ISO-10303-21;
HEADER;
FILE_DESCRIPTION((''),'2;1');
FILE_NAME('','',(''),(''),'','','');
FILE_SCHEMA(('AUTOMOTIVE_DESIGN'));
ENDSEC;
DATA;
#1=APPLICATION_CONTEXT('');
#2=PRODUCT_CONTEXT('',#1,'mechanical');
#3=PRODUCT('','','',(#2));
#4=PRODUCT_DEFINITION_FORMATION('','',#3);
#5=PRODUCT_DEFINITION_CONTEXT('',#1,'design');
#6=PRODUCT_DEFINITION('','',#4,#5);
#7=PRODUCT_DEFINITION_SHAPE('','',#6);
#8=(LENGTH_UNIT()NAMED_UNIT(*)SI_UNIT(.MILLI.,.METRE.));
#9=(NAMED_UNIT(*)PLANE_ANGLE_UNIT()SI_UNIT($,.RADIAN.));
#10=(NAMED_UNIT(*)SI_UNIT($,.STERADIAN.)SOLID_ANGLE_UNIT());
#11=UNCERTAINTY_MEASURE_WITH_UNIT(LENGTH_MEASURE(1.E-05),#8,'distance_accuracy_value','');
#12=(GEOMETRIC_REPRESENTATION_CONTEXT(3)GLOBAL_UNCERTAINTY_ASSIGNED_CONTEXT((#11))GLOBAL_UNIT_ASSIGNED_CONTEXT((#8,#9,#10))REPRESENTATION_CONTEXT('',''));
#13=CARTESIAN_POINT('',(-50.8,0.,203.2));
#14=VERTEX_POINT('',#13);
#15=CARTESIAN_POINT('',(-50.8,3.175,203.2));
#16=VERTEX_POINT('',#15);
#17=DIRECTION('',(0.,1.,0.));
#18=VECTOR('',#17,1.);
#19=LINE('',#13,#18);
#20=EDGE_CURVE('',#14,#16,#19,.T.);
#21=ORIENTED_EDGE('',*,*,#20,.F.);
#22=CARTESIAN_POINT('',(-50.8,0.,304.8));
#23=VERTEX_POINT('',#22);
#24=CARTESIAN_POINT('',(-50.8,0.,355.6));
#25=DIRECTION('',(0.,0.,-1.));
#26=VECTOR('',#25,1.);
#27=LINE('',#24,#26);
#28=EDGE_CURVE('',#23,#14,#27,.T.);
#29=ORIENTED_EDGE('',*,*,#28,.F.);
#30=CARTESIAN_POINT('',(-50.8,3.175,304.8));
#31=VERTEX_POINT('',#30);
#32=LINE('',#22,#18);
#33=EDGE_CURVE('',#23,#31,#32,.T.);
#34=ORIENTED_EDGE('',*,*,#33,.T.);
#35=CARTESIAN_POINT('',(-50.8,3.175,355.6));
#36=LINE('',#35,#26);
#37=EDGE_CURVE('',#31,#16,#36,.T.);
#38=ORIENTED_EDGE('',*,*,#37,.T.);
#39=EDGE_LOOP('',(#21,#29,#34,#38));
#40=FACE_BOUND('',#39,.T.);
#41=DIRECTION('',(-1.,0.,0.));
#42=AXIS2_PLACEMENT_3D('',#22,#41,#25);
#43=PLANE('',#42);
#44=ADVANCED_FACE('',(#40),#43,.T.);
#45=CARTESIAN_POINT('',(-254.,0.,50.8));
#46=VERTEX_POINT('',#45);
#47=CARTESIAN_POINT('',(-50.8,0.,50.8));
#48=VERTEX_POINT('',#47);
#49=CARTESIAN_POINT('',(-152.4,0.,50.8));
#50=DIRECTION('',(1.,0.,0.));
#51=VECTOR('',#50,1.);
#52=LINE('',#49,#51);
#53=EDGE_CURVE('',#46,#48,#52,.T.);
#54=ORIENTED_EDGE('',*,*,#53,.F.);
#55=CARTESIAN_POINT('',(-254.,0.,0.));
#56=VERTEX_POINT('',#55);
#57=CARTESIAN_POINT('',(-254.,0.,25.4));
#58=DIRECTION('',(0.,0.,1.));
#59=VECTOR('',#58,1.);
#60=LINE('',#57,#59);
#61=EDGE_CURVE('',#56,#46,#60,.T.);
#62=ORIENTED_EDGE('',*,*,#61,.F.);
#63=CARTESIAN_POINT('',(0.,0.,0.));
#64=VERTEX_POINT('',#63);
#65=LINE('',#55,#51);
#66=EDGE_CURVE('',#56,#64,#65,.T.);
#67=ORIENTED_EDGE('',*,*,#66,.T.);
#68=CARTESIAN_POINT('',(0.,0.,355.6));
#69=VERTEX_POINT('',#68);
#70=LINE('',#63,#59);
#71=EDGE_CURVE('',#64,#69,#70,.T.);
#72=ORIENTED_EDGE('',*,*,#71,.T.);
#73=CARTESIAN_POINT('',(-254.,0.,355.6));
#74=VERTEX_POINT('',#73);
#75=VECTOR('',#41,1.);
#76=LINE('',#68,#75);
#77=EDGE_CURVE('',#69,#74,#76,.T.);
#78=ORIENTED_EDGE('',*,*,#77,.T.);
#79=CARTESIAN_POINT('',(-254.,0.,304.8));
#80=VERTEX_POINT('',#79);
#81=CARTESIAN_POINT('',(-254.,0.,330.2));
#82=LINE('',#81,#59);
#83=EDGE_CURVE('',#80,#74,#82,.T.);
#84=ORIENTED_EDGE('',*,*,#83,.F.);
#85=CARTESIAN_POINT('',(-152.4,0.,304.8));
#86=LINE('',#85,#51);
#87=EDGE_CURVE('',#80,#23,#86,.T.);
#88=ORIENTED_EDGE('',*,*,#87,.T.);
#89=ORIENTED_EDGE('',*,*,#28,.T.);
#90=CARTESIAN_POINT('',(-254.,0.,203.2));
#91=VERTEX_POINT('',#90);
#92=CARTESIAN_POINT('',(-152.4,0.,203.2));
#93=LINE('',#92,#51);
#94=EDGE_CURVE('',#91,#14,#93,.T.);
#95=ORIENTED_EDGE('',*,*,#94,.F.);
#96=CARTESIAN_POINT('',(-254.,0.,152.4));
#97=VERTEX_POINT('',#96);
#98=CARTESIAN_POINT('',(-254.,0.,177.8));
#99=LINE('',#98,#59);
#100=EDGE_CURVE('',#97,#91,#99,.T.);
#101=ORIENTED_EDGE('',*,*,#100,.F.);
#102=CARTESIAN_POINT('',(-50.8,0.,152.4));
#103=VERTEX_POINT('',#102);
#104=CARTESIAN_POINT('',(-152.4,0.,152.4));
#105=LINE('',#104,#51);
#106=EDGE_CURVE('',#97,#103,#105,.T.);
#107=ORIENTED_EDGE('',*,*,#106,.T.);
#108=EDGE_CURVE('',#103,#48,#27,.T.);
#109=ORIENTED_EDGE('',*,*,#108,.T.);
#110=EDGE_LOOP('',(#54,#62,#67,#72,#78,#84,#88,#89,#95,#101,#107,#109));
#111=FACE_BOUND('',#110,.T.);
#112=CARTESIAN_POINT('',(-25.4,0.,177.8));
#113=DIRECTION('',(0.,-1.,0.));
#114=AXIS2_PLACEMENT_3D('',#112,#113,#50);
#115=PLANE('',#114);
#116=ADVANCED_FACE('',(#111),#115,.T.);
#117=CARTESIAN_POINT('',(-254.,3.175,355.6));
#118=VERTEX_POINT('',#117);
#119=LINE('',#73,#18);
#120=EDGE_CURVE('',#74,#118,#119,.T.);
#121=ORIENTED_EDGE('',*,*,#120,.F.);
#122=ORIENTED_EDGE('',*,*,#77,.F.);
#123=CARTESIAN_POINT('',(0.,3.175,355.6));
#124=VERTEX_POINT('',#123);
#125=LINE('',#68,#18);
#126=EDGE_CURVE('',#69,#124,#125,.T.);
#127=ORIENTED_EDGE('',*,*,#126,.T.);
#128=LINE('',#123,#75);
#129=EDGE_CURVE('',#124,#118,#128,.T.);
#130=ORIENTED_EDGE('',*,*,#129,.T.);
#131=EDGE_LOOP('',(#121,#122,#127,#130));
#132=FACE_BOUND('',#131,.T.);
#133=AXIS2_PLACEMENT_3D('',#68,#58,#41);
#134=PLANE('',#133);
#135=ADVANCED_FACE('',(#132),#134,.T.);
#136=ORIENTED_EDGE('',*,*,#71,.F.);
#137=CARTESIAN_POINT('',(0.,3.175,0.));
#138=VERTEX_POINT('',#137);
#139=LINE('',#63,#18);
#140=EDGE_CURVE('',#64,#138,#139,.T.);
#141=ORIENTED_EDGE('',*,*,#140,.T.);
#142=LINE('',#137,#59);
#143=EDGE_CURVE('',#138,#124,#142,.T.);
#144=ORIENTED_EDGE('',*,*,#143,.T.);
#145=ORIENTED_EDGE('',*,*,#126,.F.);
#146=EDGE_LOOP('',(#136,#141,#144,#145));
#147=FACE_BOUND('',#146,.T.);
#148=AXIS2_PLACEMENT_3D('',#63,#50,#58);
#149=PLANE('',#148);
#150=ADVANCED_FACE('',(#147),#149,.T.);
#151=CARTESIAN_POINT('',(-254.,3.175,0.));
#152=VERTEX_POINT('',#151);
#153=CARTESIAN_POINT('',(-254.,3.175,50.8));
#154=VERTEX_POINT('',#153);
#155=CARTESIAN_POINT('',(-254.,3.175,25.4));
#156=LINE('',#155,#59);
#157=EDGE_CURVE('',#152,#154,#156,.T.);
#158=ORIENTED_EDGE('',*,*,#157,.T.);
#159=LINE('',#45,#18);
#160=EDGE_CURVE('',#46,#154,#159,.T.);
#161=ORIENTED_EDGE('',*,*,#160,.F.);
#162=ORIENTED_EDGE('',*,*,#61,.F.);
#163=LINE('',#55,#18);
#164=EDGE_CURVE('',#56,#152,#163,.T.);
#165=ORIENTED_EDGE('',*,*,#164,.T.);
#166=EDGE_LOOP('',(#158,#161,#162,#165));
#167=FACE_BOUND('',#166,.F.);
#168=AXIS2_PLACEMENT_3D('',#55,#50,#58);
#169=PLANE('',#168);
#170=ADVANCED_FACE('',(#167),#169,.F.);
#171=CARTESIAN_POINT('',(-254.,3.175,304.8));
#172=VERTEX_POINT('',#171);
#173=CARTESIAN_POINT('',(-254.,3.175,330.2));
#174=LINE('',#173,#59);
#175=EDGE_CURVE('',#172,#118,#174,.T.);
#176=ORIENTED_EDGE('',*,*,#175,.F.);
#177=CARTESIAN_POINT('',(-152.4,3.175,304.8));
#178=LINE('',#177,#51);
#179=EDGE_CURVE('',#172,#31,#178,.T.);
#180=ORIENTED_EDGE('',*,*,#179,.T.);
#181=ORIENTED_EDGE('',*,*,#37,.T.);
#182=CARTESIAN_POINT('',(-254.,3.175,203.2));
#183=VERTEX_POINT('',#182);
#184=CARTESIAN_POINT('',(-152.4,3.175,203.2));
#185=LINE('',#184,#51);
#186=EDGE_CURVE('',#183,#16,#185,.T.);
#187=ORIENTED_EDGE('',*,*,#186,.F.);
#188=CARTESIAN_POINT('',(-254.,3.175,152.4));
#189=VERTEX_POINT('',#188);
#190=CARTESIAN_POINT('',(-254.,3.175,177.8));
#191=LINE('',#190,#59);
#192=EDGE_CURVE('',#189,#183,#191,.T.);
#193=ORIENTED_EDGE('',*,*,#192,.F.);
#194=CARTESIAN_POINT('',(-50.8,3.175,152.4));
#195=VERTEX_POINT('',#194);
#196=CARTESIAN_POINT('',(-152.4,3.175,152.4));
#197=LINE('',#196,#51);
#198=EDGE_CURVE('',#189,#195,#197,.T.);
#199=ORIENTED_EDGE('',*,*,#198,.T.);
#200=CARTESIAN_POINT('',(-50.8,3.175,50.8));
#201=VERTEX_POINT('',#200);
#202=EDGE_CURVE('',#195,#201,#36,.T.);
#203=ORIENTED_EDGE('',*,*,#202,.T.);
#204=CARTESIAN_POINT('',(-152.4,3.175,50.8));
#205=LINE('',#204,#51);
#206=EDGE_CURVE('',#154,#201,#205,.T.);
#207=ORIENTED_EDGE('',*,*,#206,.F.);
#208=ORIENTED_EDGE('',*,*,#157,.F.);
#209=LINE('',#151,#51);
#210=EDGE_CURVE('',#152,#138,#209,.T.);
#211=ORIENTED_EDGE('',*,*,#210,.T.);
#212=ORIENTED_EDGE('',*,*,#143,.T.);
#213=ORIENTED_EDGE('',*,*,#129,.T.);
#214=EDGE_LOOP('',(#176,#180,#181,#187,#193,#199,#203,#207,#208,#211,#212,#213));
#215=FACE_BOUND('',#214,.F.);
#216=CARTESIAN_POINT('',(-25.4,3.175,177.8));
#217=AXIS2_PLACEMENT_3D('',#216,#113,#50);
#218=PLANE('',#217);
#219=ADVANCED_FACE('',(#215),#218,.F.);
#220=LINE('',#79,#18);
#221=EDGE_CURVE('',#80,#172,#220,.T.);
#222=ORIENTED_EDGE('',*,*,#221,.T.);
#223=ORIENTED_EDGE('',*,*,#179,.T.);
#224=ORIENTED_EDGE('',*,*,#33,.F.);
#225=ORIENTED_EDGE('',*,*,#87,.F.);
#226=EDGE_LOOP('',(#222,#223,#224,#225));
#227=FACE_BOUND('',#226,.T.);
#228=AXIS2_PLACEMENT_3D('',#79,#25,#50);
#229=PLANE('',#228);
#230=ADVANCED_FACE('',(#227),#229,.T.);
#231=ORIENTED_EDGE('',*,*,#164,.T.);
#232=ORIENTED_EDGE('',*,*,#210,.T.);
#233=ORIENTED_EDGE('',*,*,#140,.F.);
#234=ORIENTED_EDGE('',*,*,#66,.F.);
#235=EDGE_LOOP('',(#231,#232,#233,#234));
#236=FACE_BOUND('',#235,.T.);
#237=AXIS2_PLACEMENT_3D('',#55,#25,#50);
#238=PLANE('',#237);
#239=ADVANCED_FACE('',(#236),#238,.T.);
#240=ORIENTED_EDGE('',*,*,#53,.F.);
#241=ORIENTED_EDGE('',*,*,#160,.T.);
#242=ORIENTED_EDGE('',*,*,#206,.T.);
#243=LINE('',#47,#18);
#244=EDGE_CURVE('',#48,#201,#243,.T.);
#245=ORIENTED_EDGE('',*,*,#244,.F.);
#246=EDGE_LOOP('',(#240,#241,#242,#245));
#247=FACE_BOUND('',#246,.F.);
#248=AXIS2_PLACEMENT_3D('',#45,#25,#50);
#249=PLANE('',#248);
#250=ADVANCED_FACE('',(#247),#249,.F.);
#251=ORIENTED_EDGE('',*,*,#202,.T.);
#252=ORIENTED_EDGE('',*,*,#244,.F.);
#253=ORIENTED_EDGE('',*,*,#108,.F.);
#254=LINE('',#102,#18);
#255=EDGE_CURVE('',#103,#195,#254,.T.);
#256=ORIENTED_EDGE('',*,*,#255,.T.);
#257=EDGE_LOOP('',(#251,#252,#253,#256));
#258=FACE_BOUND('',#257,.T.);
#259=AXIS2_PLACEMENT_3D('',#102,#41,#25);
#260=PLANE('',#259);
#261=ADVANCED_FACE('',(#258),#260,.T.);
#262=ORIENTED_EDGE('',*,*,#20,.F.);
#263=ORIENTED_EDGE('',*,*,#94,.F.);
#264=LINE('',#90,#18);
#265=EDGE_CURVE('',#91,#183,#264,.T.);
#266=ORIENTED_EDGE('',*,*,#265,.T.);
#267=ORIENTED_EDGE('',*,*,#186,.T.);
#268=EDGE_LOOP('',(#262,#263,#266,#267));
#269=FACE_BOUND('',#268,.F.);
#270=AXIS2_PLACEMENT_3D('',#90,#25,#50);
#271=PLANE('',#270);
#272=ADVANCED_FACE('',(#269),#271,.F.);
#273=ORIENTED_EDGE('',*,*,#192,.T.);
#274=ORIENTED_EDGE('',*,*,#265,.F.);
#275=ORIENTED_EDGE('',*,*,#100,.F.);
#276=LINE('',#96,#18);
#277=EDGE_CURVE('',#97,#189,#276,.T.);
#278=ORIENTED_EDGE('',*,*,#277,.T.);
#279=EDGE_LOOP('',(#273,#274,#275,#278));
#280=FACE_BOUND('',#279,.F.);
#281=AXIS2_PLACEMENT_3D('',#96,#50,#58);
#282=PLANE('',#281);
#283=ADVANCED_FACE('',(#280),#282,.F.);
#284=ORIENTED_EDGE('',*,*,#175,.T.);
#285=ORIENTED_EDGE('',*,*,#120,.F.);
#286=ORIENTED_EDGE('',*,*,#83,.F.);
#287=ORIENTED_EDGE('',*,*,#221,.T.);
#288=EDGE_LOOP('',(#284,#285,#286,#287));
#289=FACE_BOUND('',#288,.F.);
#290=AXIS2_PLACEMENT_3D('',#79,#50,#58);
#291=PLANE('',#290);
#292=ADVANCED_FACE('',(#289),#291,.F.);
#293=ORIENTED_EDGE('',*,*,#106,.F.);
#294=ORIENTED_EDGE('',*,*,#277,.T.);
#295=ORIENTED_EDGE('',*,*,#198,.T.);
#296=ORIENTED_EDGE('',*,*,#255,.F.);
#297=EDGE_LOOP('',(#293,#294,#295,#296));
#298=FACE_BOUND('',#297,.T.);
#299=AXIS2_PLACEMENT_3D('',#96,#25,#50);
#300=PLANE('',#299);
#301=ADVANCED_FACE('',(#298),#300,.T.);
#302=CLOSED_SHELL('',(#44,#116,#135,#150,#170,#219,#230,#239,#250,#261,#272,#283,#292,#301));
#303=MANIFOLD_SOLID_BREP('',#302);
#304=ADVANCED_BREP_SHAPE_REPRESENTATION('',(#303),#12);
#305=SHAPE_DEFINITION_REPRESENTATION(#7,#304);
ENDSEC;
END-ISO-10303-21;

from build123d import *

# Parameters (mm, degrees)
F0_W     = 203.2
F0_H     = 50.8
F1_DEPTH = 3.175


with BuildPart() as f1:
    # F0 (on Front) → F1 (new body)
    with BuildSketch(Plane.XZ):
        Polygon((-50.8, 0), (0, 0), (0, 355.6), (-50.8, 355.6), (-50.8, 304.8), (-50.8, 203.2), (-50.8, 152.4), (-50.8, 50.8), align=None)
        with Locations((-152.4, 25.4)):
            Rectangle(F0_W, F0_H)
        with Locations((-152.4, 330.2)):
            Rectangle(F0_W, F0_H)
        with Locations((-152.4, 177.8)):
            Rectangle(F0_W, F0_H)
    extrude(amount=-F1_DEPTH)


solid = f1.part
